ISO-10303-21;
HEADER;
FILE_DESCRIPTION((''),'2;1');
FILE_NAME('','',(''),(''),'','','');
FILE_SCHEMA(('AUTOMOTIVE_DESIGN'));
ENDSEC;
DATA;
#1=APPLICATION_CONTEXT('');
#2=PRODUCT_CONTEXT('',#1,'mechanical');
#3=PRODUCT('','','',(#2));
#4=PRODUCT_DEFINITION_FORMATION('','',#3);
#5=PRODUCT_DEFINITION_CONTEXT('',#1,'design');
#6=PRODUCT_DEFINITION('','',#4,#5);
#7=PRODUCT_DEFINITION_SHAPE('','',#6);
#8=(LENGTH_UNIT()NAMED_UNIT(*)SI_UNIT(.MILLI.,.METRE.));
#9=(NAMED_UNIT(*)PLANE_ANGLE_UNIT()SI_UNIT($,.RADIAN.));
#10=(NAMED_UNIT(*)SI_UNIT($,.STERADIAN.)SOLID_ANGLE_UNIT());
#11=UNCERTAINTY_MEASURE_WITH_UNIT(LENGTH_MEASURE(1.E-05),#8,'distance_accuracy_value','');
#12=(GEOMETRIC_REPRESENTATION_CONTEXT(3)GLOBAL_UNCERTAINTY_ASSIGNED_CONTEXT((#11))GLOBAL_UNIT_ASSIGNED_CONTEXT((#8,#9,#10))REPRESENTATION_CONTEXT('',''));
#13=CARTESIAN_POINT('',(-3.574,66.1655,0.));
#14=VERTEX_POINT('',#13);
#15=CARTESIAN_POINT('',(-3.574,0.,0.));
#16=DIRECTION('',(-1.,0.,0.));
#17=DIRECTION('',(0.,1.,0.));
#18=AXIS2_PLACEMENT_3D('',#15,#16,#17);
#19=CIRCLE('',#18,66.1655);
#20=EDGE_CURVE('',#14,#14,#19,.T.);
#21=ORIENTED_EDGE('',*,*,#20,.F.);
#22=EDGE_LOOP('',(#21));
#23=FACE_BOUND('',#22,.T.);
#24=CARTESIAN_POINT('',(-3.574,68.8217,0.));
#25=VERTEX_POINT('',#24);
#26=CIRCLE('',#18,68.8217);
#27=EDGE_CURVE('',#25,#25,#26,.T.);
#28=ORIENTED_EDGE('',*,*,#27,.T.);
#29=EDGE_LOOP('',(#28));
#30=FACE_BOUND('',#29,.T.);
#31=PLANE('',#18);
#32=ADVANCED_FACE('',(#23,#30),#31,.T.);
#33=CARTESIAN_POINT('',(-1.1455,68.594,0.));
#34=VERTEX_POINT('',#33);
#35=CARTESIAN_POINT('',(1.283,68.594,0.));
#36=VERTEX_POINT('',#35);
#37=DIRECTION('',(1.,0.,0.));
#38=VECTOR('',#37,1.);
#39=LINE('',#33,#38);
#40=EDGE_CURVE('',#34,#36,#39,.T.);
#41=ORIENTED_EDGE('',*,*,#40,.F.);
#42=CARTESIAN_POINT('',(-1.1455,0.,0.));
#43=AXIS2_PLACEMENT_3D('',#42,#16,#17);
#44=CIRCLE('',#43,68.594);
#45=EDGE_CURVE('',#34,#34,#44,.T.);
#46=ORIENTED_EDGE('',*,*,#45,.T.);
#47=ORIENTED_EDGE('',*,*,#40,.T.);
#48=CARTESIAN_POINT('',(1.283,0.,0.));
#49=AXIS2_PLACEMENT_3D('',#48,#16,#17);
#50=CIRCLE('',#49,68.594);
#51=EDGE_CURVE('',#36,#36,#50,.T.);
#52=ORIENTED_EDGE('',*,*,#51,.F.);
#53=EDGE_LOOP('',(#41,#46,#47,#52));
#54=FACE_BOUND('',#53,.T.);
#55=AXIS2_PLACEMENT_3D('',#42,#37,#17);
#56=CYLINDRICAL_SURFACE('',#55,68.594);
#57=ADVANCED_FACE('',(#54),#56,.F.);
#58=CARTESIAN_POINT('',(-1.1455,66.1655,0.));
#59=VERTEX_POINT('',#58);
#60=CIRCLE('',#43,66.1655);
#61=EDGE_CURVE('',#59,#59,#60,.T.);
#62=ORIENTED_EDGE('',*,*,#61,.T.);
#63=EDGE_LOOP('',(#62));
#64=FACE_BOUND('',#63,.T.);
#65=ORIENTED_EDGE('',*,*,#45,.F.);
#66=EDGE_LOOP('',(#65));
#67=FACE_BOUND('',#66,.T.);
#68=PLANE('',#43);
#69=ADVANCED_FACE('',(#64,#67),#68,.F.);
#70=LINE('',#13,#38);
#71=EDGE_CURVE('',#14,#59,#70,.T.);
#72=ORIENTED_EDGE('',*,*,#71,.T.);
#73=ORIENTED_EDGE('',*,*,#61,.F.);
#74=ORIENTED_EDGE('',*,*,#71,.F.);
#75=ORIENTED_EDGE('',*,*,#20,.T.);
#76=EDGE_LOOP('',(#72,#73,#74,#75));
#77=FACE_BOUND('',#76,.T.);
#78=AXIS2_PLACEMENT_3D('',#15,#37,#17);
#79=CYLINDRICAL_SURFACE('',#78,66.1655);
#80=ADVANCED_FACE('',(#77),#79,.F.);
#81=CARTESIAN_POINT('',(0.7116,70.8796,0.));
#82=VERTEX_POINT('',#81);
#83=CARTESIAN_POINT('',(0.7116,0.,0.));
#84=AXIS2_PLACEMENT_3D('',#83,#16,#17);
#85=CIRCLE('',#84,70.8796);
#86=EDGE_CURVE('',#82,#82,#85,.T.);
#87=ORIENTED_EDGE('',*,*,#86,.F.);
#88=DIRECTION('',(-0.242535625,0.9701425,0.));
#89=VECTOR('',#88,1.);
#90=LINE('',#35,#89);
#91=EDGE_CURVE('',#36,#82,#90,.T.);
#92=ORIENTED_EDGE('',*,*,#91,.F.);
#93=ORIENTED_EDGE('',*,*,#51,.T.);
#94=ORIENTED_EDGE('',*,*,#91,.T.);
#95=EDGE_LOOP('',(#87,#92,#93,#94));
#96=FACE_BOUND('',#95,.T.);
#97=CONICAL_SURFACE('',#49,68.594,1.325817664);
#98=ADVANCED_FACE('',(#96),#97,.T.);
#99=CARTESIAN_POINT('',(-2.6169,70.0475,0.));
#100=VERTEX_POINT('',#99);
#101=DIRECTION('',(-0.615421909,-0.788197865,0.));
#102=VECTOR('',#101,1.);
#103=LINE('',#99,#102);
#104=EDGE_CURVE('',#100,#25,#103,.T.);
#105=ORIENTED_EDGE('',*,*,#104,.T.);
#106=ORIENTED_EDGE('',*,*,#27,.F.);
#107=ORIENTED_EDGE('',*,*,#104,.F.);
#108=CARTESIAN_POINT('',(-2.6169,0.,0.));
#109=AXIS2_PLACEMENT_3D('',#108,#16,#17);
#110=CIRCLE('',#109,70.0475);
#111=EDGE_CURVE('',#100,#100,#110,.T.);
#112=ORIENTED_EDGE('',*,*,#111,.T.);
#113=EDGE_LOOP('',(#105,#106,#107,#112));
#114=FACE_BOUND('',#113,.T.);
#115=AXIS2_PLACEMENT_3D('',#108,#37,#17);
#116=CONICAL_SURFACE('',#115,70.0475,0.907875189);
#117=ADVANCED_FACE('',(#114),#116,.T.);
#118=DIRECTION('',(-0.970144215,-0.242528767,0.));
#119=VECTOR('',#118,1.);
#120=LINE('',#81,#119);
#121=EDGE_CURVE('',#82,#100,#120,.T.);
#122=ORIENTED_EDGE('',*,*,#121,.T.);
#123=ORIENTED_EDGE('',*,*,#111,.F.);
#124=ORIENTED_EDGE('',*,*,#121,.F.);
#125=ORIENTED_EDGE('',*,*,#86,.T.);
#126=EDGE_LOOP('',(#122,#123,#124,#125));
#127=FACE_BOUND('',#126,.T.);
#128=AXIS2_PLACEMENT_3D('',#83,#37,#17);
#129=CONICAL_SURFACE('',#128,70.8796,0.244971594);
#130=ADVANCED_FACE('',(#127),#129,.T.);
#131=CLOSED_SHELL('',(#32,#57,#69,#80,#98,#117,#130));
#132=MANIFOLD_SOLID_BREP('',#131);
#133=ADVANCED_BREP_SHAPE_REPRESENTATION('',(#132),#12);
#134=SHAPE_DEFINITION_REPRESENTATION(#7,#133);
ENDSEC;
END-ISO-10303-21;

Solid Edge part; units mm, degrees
sketch "Sketch1" plane through (0, 0, 0) normal (0, 0, 1) x (1, 0, 0)
  line L0 (-3.574, 68.8217) -> (-3.574, 66.1655)
  line L1 (-3.574, 66.1655) -> (-1.1455, 66.1655)
  line L2 (-1.1455, 66.1655) -> (-1.1455, 68.594)
  line L3 (-1.1455, 68.594) -> (1.283, 68.594)
  line L4 (1.283, 68.594) -> (0.7116, 70.8796)
  line L5 (0.7116, 70.8796) -> (-2.6169, 70.0475)
  line L6 (-2.6169, 70.0475) -> (-3.574, 68.8217)
revolve "RevolvedProtrusion1" add sketch "Sketch1" angle 360 about axis through (50, 0, 0) along (-1, 0, 0)
